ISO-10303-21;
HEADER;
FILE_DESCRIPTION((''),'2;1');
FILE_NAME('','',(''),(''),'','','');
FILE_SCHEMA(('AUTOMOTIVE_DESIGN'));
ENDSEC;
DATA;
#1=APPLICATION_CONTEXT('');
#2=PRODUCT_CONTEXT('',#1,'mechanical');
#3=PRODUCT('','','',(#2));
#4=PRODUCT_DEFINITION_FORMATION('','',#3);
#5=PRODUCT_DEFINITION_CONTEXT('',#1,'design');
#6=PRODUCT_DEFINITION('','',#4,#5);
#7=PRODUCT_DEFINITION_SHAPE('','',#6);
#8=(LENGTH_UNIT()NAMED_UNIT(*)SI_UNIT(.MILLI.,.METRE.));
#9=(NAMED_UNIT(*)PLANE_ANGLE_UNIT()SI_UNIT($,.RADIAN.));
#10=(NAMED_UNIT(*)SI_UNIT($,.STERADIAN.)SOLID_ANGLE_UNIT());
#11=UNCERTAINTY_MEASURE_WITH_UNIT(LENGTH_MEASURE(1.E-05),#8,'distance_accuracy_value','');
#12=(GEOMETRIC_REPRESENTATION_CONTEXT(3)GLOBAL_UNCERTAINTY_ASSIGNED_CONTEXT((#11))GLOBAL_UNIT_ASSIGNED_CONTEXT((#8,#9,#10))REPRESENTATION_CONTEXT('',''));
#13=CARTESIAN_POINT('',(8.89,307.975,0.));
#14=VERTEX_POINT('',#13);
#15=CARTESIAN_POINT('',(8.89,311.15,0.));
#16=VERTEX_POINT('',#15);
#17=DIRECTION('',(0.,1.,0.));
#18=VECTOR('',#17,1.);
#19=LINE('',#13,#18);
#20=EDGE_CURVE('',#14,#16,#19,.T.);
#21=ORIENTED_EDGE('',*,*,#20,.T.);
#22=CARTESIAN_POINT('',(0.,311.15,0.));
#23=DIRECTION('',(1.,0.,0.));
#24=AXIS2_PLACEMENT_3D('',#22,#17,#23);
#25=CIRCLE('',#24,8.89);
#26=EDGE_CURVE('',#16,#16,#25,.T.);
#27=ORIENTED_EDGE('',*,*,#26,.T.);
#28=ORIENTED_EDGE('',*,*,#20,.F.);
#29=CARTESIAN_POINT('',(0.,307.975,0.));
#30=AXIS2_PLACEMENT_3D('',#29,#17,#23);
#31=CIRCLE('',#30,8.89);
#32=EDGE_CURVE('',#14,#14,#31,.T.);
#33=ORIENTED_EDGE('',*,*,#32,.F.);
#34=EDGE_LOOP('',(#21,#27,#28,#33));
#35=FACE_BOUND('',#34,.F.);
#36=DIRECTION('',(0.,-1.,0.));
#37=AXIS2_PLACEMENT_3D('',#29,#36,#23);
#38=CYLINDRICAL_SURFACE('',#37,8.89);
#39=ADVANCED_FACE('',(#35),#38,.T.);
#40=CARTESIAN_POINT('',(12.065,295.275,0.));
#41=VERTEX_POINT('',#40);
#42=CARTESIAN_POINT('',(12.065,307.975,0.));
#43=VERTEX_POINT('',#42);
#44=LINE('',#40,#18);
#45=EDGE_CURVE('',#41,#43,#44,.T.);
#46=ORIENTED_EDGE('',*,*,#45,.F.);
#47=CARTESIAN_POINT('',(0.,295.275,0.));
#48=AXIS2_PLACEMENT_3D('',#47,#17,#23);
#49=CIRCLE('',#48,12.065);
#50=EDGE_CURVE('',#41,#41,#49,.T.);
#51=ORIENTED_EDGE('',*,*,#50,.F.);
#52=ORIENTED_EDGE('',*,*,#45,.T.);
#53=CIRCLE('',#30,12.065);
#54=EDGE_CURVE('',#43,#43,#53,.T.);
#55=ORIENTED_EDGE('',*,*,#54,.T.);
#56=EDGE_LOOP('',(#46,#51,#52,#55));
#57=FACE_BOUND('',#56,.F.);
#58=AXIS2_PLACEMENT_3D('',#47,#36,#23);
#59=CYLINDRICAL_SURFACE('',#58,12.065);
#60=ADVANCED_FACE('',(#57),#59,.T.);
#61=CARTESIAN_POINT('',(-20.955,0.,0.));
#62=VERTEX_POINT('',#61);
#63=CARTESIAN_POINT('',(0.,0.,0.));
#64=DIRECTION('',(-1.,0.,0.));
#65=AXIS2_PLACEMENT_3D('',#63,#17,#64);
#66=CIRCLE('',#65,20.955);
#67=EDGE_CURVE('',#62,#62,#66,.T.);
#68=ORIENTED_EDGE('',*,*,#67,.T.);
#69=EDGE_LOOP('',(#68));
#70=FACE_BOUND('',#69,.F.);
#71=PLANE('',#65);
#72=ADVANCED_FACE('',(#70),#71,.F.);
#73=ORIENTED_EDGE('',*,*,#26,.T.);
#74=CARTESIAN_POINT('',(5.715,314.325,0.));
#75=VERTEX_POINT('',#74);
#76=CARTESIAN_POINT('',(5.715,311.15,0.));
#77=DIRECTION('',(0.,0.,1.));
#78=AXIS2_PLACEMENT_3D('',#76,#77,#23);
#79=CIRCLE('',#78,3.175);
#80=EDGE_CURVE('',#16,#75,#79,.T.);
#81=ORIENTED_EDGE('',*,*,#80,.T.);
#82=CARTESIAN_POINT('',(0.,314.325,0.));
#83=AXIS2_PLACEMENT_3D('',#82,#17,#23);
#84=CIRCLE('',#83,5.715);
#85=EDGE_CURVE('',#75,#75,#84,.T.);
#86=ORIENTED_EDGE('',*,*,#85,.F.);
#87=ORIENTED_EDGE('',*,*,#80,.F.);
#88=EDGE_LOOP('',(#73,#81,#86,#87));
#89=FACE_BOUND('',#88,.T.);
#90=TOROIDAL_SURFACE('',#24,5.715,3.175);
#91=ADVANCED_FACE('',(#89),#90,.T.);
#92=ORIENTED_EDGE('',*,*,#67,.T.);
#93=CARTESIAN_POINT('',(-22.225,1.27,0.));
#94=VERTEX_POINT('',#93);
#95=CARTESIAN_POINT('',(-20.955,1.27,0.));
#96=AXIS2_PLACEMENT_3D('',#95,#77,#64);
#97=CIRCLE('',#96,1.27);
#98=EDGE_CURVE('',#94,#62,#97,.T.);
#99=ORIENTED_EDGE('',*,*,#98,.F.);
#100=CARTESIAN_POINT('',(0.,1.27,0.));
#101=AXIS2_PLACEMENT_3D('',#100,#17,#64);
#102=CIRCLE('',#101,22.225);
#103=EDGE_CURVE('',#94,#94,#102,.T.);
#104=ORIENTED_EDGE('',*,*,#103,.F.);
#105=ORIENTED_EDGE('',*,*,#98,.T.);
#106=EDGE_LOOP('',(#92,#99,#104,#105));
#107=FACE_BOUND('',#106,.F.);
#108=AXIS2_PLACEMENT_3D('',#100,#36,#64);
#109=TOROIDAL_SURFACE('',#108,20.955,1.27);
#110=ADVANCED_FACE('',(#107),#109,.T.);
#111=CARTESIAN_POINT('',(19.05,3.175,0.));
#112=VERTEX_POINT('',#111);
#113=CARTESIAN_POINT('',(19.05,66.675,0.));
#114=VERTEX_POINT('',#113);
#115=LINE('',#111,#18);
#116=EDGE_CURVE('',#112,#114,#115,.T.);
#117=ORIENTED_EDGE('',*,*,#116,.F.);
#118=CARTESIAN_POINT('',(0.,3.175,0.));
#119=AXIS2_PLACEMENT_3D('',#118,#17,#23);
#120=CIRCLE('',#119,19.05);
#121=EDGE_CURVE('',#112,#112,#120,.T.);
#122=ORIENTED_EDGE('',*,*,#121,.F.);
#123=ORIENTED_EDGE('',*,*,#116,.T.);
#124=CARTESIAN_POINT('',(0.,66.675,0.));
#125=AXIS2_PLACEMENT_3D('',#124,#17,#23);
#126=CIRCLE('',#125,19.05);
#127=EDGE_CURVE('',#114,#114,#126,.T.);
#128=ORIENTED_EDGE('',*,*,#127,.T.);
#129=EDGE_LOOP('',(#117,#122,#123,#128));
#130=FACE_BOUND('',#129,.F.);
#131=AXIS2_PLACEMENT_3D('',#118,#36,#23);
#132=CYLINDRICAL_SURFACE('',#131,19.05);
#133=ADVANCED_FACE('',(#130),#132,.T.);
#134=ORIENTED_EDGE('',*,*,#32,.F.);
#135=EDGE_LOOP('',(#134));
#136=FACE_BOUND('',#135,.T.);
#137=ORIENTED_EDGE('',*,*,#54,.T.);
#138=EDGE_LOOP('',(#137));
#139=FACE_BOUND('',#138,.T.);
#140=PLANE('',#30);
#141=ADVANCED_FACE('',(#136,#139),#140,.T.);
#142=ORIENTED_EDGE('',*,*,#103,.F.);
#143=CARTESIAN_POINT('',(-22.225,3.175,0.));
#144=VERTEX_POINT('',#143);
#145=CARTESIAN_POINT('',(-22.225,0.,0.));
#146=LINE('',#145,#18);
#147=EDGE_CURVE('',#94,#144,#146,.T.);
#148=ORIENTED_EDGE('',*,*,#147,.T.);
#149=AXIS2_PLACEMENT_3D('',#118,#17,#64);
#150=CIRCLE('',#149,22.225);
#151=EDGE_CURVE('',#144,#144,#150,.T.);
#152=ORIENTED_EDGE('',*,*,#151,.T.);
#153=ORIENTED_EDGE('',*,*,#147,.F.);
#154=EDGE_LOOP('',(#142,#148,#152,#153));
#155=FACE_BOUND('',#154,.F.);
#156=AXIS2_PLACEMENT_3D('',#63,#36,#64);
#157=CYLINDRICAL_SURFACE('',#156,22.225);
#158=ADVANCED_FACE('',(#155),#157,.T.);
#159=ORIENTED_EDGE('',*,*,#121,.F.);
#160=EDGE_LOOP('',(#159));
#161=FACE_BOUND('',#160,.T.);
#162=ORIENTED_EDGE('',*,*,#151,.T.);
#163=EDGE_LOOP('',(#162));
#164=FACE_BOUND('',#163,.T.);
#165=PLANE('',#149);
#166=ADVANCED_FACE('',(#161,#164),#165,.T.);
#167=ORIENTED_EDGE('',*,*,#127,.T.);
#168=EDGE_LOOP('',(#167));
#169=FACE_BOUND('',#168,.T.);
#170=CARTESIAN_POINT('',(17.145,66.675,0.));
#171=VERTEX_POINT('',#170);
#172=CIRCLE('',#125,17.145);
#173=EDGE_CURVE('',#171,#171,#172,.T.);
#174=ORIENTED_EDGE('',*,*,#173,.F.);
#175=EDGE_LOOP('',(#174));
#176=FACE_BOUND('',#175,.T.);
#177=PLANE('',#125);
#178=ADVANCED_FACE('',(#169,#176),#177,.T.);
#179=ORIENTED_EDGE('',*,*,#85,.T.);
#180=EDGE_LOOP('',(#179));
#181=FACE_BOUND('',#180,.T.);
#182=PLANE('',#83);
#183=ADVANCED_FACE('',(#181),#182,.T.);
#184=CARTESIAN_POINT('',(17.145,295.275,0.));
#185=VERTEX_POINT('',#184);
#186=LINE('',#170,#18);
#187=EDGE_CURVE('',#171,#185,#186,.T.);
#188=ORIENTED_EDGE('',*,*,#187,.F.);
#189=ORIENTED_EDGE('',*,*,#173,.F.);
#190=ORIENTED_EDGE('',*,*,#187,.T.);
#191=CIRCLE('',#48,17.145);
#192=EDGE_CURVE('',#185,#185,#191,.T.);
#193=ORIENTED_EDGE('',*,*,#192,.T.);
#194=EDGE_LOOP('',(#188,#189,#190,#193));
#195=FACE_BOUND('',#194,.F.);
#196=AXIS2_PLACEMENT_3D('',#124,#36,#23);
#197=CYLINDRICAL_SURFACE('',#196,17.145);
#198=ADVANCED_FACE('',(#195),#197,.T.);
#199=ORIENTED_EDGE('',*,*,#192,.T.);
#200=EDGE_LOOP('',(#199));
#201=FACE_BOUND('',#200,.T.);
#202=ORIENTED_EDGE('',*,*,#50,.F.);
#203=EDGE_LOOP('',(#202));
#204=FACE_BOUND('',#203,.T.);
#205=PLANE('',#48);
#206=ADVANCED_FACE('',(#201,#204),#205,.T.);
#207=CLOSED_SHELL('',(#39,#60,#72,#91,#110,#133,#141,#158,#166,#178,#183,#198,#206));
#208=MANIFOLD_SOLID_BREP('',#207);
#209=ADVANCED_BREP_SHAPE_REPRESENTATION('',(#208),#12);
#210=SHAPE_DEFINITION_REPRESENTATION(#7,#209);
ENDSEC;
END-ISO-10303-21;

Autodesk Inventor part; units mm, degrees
ref_plane "YZ Plane" through (0, 0, 0) normal (1, 0, 0) x (0, 1, 0)
ref_plane "XZ Plane" through (0, 0, 0) normal (0, 1, 0) x (-1, 0, 0)
ref_plane "XY Plane" through (0, 0, 0) normal (0, 0, 1) x (1, 0, 0)
sketch "Sketch1" plane through (0, 0, 0) normal (0, 1, 0) x (-1, 0, 0)
  circle A0 centre (0, 0) radius 22.225
  dimension "d0" = 44.45
extrude "Extrusion1" add sketch "Sketch1" along normal blind 3.175
fillet "Fillet1" radius 1.27 1 edges at (22.225, 0, 0)
sketch "Sketch2" plane through (0, 3.175, 0) normal (0, 1, 0) x (1, 0, 0)
  circle A0 centre (0, 0) radius 19.05
  dimension "d4" = 38.1
extrude "Extrusion2" add sketch "Sketch2" along normal blind 63.5
sketch "Sketch3" plane through (0, 66.675, 0) normal (0, 1, 0) x (1, 0, 0)
  circle A0 centre (0, 0) radius 17.145
  dimension "d7" = 34.29
extrude "Extrusion3" add sketch "Sketch3" along normal blind 228.6
sketch "Sketch4" plane through (0, 295.275, 0) normal (0, 1, 0) x (1, 0, 0)
  circle A0 centre (0, 0) radius 12.065
  dimension "d10" = 24.13
extrude "Extrusion4" add sketch "Sketch4" along normal blind 12.7
sketch "Sketch5" plane through (0, 307.975, 0) normal (0, 1, 0) x (1, 0, 0)
  circle A0 centre (0, 0) radius 8.89
  dimension "d14" = 17.78
extrude "Extrusion5" add sketch "Sketch5" along normal blind 6.35
fillet "Fillet3" radius 3.175 1 edges at (-8.89, 314.325, 0)
properties part number "middle shaft"
